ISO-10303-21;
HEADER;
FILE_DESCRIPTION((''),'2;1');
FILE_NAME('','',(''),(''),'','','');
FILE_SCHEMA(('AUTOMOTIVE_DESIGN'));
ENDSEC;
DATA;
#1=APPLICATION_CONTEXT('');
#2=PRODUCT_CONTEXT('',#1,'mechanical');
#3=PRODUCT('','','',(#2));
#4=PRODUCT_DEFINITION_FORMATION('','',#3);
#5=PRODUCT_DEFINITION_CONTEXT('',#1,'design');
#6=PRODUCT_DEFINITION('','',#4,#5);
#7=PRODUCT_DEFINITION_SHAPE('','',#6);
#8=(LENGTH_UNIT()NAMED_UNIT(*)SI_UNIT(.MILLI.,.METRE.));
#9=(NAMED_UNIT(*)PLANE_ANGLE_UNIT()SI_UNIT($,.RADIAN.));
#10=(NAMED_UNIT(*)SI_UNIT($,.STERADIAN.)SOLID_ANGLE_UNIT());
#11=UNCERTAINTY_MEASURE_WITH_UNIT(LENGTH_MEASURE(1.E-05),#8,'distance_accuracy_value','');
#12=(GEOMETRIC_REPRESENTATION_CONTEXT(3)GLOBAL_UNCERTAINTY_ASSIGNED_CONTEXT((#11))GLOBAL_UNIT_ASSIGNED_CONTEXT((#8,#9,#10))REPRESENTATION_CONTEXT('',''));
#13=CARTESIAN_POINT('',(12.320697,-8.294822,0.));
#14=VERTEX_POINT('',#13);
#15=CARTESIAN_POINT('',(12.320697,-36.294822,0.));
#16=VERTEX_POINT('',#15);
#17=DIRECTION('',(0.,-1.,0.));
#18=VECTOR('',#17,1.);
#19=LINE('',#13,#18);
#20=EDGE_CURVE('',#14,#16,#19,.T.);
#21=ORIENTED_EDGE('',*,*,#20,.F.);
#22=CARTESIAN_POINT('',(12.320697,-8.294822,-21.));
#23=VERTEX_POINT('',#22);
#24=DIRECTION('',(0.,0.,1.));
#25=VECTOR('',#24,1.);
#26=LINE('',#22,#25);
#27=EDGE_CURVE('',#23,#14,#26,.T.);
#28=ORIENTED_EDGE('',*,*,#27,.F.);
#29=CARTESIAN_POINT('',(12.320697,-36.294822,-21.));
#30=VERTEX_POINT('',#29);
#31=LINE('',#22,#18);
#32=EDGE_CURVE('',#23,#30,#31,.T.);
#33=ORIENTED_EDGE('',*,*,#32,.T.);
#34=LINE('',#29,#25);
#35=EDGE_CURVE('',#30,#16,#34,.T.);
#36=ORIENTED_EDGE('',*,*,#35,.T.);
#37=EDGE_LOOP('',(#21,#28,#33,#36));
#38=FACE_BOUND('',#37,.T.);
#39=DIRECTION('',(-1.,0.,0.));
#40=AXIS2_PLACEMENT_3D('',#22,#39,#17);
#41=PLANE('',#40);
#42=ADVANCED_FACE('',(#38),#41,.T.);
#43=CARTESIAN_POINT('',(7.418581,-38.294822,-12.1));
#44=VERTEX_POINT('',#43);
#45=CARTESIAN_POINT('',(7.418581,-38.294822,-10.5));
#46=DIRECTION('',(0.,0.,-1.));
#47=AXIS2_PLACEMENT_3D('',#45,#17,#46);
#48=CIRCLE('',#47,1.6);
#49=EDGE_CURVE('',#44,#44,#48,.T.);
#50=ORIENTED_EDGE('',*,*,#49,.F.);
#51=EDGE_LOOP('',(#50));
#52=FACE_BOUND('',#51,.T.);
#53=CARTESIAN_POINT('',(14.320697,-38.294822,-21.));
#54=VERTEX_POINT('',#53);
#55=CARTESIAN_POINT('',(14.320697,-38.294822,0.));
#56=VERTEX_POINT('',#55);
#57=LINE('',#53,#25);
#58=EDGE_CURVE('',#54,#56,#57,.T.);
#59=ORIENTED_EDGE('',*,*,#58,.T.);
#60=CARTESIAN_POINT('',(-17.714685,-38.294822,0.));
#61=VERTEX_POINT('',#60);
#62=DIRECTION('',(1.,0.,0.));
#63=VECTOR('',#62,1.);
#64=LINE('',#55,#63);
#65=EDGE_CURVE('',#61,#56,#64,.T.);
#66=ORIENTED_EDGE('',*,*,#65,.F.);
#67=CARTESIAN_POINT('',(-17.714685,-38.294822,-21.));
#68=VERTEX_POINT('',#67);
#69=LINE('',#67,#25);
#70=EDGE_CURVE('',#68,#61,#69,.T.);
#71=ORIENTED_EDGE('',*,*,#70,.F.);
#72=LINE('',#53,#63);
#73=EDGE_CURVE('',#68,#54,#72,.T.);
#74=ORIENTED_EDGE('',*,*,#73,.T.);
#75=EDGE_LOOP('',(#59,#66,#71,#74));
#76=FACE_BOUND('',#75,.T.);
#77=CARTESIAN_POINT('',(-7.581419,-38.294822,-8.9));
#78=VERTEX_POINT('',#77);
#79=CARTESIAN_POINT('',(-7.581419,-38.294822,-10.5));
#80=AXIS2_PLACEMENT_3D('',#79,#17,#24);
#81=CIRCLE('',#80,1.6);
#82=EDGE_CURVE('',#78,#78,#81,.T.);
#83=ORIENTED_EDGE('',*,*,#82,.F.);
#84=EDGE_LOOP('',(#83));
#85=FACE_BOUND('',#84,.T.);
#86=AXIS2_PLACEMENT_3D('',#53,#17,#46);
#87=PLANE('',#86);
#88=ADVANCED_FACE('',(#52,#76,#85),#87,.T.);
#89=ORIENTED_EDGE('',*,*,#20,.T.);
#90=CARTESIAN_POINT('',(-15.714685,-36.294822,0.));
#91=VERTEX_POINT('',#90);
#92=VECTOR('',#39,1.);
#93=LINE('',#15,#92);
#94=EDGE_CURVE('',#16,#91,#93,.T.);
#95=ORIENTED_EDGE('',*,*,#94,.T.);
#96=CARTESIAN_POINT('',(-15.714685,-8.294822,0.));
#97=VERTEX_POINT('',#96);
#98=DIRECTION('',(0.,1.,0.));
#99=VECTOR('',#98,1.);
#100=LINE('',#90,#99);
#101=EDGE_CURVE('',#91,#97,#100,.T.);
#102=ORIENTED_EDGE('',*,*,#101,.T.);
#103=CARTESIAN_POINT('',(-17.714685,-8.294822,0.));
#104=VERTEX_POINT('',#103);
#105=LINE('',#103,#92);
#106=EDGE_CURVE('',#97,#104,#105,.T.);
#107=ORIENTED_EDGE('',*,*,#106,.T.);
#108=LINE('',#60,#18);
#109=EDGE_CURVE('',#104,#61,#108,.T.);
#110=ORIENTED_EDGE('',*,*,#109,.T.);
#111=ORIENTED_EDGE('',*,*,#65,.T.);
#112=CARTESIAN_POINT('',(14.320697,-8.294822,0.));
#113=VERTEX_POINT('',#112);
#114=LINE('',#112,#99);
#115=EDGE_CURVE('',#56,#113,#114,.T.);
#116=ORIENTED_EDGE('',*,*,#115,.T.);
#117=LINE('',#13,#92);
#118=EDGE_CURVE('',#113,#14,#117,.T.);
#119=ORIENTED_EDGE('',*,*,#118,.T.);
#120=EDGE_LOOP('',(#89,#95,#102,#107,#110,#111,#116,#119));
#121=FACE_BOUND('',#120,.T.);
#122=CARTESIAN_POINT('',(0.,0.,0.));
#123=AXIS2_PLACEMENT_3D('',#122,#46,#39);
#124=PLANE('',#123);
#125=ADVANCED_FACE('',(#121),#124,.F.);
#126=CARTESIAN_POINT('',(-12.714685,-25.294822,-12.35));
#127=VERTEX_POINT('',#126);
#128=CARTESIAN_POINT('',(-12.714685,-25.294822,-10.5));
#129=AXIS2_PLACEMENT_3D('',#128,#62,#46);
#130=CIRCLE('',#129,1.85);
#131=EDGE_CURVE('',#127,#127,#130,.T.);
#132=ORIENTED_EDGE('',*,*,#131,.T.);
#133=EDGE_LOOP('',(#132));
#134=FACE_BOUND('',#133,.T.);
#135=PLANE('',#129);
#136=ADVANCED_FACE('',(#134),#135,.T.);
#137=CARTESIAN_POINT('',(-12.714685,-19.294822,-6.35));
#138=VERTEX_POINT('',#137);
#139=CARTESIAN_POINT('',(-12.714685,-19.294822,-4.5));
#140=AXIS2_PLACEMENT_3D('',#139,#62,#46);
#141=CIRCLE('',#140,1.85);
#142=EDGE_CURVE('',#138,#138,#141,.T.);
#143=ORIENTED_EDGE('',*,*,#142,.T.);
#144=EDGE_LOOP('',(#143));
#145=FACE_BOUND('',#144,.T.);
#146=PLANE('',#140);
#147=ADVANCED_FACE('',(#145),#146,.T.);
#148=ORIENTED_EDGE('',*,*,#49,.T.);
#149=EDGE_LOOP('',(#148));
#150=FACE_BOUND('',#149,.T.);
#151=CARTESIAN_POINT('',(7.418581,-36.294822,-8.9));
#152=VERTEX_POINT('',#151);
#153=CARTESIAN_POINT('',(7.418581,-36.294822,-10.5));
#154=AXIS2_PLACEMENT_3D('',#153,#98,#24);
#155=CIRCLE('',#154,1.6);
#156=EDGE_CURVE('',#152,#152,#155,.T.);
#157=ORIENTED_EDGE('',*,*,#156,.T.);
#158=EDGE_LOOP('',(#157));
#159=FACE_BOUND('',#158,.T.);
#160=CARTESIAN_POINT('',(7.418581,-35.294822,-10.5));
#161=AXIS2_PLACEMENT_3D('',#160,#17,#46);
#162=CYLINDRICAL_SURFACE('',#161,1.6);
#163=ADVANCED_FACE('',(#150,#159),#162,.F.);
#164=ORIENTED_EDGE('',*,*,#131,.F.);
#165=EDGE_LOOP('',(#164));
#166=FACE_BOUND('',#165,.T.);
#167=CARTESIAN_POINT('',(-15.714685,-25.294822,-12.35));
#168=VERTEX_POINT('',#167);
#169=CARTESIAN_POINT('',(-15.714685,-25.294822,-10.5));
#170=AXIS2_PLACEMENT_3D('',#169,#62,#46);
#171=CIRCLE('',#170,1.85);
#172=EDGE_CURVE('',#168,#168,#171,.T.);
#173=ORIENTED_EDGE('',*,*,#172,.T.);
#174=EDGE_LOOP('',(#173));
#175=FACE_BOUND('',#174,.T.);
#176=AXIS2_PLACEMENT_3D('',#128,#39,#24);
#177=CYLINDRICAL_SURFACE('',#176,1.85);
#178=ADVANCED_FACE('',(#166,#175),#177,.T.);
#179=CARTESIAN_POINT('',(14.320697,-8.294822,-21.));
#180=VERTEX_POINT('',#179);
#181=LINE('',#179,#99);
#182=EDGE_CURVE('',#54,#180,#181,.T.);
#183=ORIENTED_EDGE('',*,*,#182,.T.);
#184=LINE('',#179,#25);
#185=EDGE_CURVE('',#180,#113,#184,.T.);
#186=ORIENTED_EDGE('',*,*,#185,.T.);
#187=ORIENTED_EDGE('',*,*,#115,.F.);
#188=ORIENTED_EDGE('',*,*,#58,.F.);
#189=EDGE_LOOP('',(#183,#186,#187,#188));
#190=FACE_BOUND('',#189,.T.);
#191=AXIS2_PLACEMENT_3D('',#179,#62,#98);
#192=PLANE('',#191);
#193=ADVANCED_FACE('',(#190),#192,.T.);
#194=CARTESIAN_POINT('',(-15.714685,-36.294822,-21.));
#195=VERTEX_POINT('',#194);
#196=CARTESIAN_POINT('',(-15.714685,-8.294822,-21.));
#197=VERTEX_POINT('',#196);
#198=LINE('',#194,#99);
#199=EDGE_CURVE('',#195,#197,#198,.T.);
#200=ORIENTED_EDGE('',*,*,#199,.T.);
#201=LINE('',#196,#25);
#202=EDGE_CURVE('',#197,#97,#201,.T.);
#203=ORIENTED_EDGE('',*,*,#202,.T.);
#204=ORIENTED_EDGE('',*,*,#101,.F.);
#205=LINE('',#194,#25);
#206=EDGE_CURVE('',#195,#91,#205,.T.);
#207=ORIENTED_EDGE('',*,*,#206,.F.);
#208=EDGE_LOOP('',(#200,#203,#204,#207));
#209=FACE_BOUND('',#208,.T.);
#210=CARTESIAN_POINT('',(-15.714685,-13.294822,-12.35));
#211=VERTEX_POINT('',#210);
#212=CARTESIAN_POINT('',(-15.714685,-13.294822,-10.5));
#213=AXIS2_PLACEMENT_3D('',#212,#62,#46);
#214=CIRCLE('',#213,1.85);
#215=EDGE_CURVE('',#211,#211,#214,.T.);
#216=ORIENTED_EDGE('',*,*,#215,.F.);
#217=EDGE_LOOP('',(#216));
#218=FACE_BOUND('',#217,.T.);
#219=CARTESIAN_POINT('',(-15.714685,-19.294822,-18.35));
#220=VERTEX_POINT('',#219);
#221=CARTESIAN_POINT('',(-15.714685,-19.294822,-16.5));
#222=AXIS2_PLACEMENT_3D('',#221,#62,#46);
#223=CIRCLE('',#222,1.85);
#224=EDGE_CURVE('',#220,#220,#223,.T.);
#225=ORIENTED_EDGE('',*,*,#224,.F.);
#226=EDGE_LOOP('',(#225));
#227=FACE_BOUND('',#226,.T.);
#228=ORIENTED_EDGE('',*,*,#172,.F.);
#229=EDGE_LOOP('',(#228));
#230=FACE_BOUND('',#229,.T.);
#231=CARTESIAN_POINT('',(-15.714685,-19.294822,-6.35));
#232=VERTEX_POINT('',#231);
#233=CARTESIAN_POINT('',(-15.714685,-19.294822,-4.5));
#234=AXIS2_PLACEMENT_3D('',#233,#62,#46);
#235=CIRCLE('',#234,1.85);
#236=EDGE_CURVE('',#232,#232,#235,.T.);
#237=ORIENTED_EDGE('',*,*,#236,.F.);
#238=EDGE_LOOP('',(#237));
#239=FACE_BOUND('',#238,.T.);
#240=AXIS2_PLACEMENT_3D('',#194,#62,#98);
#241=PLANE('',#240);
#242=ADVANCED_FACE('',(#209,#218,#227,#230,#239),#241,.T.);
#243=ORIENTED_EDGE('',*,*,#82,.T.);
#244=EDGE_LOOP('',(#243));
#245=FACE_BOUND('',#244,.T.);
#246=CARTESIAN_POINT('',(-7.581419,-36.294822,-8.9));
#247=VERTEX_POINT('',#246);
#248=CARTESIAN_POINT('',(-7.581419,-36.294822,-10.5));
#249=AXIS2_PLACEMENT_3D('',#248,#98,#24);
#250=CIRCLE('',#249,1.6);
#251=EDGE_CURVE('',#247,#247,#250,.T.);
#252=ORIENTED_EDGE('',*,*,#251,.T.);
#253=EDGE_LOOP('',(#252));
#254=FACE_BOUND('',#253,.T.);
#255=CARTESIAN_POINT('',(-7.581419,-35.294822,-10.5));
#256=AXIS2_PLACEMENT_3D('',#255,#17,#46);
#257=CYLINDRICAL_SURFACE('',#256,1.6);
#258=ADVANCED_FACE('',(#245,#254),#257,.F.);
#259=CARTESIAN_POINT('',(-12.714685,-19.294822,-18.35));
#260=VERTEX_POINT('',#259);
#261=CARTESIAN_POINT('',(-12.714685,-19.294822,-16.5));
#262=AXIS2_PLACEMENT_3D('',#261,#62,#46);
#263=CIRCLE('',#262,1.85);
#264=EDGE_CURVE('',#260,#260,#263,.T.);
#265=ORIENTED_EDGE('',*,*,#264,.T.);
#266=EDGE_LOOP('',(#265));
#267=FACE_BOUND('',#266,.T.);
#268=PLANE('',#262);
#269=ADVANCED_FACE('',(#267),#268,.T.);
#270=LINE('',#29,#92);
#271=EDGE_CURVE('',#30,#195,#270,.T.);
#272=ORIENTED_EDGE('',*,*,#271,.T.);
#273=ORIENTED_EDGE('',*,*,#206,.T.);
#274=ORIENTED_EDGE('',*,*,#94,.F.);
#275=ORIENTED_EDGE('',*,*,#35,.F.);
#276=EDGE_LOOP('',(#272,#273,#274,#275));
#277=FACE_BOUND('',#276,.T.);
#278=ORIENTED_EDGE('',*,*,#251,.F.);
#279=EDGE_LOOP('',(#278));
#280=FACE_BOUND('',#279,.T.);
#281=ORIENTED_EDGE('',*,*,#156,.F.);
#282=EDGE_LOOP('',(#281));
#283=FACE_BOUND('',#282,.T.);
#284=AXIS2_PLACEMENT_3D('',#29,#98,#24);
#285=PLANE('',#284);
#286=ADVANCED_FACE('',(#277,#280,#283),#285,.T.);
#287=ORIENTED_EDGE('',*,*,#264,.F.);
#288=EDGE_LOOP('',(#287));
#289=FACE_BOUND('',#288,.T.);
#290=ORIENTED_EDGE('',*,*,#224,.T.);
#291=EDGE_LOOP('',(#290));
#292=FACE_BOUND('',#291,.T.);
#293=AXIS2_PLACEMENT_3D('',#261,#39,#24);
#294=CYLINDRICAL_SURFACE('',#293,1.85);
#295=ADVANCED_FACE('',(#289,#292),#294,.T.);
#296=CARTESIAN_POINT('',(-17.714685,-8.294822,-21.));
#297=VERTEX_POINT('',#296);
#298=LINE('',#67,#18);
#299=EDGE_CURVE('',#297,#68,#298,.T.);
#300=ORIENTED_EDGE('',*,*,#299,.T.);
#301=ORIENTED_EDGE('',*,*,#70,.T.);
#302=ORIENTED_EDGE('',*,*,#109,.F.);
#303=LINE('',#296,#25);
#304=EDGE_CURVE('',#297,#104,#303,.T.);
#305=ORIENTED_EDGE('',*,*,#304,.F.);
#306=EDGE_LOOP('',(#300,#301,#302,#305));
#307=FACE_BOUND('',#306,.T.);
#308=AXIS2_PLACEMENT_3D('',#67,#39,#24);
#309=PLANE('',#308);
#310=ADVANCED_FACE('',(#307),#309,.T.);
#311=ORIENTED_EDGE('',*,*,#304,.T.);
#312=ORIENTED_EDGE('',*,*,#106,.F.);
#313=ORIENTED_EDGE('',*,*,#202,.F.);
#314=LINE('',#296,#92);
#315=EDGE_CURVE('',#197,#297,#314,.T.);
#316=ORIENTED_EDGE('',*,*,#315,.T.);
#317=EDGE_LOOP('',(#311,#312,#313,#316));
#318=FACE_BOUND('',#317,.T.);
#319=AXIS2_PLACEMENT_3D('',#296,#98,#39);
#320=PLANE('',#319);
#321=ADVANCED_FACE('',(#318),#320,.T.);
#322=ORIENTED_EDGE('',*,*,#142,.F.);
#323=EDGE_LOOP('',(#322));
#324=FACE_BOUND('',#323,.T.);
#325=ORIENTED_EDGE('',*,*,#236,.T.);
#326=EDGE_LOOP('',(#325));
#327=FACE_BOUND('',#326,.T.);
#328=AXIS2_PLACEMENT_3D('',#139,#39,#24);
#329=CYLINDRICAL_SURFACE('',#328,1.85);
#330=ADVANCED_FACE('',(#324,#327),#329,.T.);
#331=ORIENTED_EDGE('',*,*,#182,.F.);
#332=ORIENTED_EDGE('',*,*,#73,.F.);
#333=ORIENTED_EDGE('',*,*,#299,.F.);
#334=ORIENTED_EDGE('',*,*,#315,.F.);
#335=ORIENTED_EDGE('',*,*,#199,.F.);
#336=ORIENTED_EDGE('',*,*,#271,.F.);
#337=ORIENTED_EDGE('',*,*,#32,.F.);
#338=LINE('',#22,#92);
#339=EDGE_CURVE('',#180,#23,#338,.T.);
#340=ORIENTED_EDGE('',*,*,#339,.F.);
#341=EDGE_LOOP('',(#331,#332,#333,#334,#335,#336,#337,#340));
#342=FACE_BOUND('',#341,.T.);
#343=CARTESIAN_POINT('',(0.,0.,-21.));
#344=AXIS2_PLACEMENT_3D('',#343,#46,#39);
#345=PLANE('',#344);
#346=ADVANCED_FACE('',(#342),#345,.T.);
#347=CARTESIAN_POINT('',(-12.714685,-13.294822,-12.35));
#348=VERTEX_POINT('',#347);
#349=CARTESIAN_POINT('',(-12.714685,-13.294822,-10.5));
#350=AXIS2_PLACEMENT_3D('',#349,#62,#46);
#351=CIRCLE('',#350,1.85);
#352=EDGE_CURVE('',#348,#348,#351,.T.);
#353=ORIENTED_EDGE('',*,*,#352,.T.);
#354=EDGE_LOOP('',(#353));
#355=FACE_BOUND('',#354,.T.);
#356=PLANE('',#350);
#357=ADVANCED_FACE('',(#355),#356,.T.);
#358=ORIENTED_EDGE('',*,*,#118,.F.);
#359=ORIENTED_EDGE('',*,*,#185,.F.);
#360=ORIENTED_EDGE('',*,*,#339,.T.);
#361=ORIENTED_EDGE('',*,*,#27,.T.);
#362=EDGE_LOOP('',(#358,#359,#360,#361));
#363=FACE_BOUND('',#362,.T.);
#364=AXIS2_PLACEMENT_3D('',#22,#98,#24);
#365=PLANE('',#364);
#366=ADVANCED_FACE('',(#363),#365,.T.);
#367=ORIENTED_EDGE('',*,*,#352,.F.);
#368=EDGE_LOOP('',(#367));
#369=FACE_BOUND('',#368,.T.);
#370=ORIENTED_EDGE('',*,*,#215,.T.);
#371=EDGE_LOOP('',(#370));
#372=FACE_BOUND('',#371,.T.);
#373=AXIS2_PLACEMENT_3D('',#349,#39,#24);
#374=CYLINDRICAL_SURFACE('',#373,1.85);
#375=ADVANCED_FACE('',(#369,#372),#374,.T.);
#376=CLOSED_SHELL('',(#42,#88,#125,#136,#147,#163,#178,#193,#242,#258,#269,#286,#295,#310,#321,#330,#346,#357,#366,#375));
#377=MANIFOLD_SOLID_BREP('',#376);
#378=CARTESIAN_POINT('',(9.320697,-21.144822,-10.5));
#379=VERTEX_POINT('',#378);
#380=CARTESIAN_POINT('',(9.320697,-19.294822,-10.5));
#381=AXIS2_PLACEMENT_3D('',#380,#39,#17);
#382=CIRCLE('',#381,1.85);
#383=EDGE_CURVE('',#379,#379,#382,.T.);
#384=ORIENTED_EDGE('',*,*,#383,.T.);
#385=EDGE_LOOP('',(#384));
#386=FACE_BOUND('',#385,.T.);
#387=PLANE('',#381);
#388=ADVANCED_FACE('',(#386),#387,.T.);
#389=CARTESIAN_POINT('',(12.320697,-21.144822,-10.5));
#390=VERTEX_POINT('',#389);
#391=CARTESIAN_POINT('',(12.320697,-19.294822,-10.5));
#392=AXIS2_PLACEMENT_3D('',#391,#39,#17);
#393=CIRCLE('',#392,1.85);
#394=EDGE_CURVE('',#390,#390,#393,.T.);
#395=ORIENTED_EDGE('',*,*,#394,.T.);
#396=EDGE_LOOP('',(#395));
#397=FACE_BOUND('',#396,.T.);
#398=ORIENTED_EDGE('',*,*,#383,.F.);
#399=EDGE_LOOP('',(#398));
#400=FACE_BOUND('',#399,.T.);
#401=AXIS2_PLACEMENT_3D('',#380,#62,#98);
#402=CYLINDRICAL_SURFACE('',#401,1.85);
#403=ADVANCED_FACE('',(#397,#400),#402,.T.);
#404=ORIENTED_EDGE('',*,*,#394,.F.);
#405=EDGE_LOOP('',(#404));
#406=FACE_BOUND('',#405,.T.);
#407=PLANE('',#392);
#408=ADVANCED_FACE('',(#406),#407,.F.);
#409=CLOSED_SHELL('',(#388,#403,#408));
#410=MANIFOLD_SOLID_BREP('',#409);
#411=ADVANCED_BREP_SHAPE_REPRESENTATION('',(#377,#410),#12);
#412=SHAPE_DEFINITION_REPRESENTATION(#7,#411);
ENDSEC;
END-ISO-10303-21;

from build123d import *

# Parameters (mm, degrees)
BOSS_EXTRUDE4_DEPTH = 21
SKETCH2_R           = 1.85
BOSS_EXTRUDE5_DEPTH = 3
SKETCH3_R           = 1.85
BOSS_EXTRUDE6_DEPTH = 3
SKETCH6_R           = 1.6
CUT_EXTRUDE1_DEPTH  = 3


with BuildPart() as part:
    # Sketch1 → Boss-Extrude4 (new body)
    with BuildSketch(Plane.XY):
        Polygon((12.320696932, -8.294821565), (14.320696932, -8.294821565), (14.320696932, -38.294821565), (-17.714685402, -38.294821565), (-17.714685402, -8.294821565), (-15.714685402, -8.294821565), (-15.714685402, -36.294821565), (12.320696932, -36.294821565), align=None)
    extrude(amount=-BOSS_EXTRUDE4_DEPTH)

    # Sketch2 → Boss-Extrude5 (add)
    with BuildSketch(Plane(origin=(-15.714685402, 0, 0), x_dir=(0, 0, -1), z_dir=(1, 0, 0))):
        with Locations((10.5, -25.294821565)):
            Circle(SKETCH2_R)
        with Locations((16.5, -19.294821565)):
            Circle(SKETCH2_R)
        with Locations((4.5, -19.294821565)):
            Circle(SKETCH2_R)
        with Locations((10.5, -13.294821565)):
            Circle(SKETCH2_R)
    extrude(amount=BOSS_EXTRUDE5_DEPTH)

    # Sketch6 → Cut-Extrude1 (cut)
    with BuildSketch(Plane.XZ.offset(38.294821565)):
        with Locations(Location((7.418581263, -10.5, 0), (0, 0, 270))):
            Circle(SKETCH6_R)
        with Locations(Location((-7.581418737, -10.5, 0), (0, 0, 90))):
            Circle(SKETCH6_R)
    extrude(amount=-CUT_EXTRUDE1_DEPTH, mode=Mode.SUBTRACT)


with BuildPart() as body_2:
    # Sketch3 → Boss-Extrude6 (new body)
    with BuildSketch(Plane.ZY.offset(-12.320696932)):
        with Locations(Location((-10.5, -19.294821565, 0), (0, 0, 270))):
            Circle(SKETCH3_R)
    extrude(amount=BOSS_EXTRUDE6_DEPTH)


solid = Compound([part.part, body_2.part])
